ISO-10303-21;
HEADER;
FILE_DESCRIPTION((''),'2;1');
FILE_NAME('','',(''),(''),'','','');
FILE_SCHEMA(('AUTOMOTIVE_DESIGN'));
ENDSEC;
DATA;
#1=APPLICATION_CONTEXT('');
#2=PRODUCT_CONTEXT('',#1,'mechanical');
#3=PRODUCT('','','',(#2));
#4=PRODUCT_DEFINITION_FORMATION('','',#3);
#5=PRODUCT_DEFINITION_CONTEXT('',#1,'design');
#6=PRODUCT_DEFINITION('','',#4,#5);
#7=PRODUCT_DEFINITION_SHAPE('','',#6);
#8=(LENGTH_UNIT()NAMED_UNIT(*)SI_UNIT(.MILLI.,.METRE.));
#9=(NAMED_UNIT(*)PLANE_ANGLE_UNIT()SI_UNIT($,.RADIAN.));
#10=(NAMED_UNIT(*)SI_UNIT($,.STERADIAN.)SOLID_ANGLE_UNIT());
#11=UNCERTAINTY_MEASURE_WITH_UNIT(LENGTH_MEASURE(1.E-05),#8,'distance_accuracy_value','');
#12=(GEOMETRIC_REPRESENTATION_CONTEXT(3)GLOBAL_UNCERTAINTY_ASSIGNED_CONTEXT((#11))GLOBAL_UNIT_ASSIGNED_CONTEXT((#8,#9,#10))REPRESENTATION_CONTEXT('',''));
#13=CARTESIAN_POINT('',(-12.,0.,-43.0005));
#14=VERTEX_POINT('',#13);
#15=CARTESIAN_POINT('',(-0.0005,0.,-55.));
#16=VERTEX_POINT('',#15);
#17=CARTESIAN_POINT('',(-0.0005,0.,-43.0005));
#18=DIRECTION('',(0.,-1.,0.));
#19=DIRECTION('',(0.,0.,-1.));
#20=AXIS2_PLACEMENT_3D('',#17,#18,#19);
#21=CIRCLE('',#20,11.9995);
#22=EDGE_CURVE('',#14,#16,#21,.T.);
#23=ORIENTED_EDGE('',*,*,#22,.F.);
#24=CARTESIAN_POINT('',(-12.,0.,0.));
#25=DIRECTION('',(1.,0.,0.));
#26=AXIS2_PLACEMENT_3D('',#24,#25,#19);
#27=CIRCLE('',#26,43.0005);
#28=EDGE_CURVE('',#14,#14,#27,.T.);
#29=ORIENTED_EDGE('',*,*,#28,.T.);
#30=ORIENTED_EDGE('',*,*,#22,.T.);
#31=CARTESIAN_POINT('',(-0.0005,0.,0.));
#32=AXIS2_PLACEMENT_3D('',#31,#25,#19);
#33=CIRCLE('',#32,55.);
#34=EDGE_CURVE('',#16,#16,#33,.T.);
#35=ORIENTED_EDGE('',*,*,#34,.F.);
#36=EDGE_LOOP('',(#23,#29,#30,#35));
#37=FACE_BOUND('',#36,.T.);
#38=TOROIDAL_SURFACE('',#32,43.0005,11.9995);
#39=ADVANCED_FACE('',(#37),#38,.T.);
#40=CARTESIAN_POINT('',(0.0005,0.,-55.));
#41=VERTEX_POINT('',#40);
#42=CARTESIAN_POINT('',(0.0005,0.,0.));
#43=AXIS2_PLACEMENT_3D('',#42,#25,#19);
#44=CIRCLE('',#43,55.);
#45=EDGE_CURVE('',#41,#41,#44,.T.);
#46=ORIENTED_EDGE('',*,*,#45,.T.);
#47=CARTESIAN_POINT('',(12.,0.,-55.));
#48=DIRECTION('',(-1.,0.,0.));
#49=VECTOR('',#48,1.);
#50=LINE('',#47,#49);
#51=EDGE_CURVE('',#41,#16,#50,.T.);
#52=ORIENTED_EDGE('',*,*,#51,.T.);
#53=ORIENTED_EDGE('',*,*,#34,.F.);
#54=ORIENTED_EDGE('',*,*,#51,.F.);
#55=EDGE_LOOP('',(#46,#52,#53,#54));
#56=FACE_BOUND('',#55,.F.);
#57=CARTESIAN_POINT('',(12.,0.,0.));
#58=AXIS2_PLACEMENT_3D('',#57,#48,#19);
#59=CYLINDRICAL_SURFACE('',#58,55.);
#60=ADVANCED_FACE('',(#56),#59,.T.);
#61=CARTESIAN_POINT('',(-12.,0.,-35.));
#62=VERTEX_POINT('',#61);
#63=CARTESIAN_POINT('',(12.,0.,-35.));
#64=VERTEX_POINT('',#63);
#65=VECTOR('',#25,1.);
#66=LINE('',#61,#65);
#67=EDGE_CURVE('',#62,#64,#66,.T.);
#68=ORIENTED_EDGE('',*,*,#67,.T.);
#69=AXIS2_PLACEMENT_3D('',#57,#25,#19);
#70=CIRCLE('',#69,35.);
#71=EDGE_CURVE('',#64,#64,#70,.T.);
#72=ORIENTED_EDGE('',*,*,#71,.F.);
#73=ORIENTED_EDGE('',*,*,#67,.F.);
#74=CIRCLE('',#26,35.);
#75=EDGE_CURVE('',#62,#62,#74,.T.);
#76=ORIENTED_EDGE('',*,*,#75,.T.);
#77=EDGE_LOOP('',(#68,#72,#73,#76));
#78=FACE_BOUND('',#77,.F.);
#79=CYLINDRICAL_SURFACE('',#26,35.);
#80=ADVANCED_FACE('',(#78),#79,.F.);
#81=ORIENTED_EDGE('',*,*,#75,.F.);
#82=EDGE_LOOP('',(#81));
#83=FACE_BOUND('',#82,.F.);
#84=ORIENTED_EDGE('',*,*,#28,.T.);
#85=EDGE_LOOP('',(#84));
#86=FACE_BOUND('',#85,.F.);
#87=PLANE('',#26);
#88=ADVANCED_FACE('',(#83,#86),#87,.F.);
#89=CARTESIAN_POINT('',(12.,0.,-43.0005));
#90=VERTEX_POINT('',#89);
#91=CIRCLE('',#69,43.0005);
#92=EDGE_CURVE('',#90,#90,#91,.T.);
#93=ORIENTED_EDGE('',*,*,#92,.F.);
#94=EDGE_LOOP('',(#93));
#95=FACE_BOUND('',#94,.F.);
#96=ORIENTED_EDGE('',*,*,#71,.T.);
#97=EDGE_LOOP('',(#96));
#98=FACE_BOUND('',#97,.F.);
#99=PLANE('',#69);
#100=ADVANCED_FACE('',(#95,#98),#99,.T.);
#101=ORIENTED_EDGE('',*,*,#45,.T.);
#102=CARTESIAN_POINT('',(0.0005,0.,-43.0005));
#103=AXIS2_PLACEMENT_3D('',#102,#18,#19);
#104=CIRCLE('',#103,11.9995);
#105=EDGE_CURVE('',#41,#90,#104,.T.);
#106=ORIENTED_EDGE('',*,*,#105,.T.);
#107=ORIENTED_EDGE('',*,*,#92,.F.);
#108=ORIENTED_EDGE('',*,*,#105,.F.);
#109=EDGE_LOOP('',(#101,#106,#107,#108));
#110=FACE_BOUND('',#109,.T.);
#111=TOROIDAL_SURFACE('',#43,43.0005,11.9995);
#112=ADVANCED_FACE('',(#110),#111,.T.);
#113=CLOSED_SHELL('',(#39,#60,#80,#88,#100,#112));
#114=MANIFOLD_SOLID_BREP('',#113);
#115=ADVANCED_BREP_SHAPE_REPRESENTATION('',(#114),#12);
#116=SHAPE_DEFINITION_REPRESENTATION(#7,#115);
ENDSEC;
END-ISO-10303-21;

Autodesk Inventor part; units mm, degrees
ref_plane "YZ Plane" through (0, 0, 0) normal (1, 0, 0) x (0, 1, 0)
ref_plane "XZ Plane" through (0, 0, 0) normal (0, 1, 0) x (-1, 0, 0)
ref_plane "XY Plane" through (0, 0, 0) normal (0, 0, 1) x (1, 0, 0)
sketch "Sketch1" plane through (0, 0, 0) normal (0, 1, 0) x (-1, 0, 0)
  line L0 (12, -35) -> (-12, -35)
  line L1 (-12, -35) -> (-12, -55)
  line L2 (-12, -55) -> (12, -55)
  line L3 (12, -55) -> (12, -35)
  line L4 (0, -66) -> (0, 11) construction
  line L5 (16.8, 0) -> (-16.8, 0) construction
  point P0 (0, 0)
  point P1 (0, -35)
  dimension "d1" = 24
  dimension "d2" = 35
  dimension "d3" = 55
revolve "Revolution1" add sketch "Sketch1" angle 360 about axis through (-10, 0, 0) along (1, 0, 0)
fillet "Fillet1" radius 12 2 edges at (12, 0, 55) (-12, 0, 55)
